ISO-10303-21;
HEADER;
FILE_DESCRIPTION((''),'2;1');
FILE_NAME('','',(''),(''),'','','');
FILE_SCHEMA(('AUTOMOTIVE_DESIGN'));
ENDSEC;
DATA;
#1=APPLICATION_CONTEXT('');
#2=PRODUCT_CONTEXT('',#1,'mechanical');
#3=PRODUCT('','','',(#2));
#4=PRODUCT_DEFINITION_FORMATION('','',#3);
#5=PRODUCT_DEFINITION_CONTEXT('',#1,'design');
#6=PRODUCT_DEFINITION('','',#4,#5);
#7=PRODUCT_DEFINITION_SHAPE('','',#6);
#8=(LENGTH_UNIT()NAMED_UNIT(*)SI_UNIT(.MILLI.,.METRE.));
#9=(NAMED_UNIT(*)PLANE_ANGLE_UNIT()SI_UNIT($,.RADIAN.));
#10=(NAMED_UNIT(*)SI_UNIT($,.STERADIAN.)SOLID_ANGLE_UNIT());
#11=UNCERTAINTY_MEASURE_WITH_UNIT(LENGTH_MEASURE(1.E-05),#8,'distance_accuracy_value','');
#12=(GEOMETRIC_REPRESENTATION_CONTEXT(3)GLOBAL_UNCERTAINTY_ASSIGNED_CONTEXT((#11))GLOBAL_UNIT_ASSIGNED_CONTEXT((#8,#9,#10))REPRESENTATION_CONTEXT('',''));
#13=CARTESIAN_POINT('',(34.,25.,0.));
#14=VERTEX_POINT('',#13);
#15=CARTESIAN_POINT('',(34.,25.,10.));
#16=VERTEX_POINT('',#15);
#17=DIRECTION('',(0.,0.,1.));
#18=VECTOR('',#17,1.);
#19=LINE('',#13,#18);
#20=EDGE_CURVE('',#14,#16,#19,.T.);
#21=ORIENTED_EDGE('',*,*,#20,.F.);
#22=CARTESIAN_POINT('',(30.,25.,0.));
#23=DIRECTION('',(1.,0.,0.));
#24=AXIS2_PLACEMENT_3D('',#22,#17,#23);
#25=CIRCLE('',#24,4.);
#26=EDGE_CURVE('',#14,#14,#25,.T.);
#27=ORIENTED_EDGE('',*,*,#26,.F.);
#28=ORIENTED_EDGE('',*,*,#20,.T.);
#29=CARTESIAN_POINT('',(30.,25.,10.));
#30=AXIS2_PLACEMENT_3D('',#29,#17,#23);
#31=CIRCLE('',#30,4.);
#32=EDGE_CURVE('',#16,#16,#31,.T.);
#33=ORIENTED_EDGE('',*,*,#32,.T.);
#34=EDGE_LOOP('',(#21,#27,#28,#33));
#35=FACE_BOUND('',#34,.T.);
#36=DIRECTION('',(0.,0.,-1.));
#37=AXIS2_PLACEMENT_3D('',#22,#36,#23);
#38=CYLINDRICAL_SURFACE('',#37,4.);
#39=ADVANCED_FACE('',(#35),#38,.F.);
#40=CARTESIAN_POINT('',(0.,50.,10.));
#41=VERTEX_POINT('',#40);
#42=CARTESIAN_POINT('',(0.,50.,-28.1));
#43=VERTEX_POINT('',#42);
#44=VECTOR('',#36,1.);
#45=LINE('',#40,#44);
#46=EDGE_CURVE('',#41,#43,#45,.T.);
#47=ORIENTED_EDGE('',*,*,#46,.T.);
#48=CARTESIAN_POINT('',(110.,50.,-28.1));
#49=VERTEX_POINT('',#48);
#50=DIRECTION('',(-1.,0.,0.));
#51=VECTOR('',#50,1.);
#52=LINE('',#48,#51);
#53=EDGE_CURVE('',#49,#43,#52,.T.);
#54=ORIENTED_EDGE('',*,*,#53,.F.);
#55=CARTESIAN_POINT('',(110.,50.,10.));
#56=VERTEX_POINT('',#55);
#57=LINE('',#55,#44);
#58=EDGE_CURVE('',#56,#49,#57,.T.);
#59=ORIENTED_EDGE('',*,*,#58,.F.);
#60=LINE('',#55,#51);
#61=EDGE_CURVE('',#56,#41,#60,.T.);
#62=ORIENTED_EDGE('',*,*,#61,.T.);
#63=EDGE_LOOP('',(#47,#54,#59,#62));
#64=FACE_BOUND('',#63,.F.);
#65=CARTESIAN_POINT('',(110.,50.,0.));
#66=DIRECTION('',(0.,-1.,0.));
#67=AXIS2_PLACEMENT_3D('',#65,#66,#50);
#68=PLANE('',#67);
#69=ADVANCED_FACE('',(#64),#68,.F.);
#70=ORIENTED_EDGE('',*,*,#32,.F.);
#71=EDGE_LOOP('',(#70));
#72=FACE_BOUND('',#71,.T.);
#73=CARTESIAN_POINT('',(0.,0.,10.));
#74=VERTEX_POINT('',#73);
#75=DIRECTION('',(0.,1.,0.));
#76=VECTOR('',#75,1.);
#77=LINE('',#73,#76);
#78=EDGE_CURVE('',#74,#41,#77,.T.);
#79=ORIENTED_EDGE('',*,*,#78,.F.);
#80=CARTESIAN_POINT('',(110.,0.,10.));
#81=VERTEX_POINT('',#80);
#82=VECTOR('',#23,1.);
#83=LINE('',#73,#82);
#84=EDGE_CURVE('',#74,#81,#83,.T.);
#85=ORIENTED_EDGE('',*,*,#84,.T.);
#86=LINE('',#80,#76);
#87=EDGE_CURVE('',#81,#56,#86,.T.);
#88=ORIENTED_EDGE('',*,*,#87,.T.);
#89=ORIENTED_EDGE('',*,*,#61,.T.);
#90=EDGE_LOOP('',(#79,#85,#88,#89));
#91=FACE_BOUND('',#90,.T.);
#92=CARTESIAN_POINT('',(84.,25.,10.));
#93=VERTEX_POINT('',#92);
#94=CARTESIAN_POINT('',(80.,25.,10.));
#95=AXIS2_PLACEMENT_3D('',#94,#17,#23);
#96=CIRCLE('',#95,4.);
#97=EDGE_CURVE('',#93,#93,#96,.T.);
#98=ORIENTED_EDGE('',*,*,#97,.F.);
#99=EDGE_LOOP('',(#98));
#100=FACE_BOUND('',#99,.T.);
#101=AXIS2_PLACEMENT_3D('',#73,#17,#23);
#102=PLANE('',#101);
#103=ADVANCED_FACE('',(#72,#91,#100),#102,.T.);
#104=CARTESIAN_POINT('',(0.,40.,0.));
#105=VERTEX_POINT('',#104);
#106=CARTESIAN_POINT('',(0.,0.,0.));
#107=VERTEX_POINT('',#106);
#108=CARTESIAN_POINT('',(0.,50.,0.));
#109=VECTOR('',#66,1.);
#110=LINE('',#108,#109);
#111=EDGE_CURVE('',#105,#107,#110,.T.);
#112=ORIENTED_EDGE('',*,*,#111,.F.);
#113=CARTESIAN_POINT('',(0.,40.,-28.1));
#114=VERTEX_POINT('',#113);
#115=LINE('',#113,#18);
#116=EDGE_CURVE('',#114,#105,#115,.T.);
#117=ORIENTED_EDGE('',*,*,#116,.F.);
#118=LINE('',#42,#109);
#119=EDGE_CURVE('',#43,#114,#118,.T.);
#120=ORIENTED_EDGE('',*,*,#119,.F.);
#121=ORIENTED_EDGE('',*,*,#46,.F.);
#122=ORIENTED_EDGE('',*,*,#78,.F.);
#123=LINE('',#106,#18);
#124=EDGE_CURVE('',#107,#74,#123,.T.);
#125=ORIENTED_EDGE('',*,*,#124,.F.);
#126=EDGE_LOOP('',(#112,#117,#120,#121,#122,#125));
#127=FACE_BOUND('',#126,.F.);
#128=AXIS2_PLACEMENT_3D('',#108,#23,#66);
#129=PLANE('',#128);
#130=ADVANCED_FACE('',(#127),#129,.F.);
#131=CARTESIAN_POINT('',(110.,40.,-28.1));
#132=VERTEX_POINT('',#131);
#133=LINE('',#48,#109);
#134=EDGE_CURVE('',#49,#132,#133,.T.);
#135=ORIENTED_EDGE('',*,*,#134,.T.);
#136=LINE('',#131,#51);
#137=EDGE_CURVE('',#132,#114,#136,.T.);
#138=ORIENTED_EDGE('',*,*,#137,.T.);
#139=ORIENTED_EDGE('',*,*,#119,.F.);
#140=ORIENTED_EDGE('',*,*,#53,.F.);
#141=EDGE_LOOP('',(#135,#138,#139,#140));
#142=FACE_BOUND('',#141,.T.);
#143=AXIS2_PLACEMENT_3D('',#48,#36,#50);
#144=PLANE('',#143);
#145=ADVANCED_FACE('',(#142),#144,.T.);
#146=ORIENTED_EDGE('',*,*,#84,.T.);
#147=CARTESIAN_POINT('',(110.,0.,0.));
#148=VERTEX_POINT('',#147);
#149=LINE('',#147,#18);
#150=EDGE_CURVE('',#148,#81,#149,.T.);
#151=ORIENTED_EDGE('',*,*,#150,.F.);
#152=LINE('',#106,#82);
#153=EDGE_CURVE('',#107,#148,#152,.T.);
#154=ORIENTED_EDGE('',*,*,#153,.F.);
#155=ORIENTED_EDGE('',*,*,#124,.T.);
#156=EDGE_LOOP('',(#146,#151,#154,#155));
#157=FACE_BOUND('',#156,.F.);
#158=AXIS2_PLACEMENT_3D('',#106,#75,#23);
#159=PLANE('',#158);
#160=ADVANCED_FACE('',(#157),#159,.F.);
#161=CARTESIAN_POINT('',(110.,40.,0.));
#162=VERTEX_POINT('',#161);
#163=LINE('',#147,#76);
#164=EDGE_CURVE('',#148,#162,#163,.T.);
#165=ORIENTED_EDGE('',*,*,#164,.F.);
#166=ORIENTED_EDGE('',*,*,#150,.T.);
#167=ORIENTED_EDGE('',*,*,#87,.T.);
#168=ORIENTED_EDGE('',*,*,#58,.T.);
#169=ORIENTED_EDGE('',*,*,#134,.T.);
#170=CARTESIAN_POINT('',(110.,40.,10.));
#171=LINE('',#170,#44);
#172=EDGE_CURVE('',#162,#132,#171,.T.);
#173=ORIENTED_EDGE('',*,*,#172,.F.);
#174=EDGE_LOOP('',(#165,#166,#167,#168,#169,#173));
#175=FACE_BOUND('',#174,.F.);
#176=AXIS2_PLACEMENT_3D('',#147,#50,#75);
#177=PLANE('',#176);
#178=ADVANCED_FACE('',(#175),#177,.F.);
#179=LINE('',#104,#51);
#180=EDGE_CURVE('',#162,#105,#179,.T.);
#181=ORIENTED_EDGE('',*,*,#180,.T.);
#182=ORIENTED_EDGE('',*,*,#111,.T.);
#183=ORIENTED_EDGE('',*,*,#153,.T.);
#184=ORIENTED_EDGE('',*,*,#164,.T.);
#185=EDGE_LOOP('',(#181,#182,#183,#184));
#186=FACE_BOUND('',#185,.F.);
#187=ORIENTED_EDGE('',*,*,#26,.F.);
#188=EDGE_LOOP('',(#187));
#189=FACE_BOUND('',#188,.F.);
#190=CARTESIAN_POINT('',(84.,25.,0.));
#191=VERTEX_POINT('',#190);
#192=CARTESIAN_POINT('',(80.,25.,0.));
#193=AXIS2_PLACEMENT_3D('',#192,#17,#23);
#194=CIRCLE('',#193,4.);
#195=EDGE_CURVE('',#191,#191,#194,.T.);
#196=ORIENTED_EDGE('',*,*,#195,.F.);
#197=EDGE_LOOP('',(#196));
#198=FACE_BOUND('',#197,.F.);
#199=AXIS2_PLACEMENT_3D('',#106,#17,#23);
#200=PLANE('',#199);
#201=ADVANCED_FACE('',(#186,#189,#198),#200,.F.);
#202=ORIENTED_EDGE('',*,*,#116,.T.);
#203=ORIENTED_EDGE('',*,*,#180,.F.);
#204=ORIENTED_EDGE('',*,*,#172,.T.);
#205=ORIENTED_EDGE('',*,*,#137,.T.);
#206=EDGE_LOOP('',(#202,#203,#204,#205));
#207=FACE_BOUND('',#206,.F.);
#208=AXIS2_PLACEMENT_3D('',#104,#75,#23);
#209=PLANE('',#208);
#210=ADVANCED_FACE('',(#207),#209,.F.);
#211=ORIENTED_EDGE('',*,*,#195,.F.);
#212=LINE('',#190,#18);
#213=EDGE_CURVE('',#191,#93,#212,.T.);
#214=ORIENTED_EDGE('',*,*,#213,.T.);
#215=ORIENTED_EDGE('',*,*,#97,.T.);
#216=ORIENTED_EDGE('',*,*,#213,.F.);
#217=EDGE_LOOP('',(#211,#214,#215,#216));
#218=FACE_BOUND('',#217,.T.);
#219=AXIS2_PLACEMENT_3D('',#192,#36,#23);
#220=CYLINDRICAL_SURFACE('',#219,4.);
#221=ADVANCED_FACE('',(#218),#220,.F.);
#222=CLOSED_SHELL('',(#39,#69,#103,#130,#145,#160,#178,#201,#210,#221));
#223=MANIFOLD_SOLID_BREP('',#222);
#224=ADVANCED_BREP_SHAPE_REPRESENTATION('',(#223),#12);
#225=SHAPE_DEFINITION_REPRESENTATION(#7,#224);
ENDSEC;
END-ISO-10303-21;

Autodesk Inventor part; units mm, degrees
ref_plane "YZ Plane" through (0, 0, 0) normal (1, 0, 0) x (0, 1, 0)
ref_plane "XZ Plane" through (0, 0, 0) normal (0, 1, 0) x (-1, 0, 0)
ref_plane "XY Plane" through (0, 0, 0) normal (0, 0, 1) x (1, 0, 0)
sketch "Sketch1" plane through (0, 0, 0) normal (0, 0, 1) x (1, 0, 0)
  line L0 (0, 0) -> (110, 0)
  line L1 (110, 0) -> (110, 50)
  line L2 (110, 50) -> (0, 50)
  line L3 (0, 50) -> (0, 0)
  circle A0 centre (80, 25) radius 4
  circle A1 centre (30, 25) radius 4
  line L4 (30, 25) -> (80, 25) construction
  point P0 (110, 25)
  dimension "d0" = 110
  dimension "d1" = 50
  dimension "d2" = 8
  dimension "d3" = 8
  dimension "d4" = 50
  dimension "d5" = 30
extrude "Extrusion1" add sketch "Sketch1" along normal blind 10
sketch "Sketch2" plane through (0, 50, 0) normal (0, 1, 0) x (1, 0, 0)
  line L0 (110, -10) -> (0, -10) projected
  line L1 (0, -10) -> (110, -10)
  line L2 (110, -10) -> (110, 28.1)
  line L3 (110, 28.1) -> (0, 28.1)
  line L4 (0, 28.1) -> (0, -10)
  point P0 (0, 0)
  dimension "d8" = 38.1
extrude "Extrusion2" add sketch "Sketch2" against normal blind 10
properties part number "BA03"
